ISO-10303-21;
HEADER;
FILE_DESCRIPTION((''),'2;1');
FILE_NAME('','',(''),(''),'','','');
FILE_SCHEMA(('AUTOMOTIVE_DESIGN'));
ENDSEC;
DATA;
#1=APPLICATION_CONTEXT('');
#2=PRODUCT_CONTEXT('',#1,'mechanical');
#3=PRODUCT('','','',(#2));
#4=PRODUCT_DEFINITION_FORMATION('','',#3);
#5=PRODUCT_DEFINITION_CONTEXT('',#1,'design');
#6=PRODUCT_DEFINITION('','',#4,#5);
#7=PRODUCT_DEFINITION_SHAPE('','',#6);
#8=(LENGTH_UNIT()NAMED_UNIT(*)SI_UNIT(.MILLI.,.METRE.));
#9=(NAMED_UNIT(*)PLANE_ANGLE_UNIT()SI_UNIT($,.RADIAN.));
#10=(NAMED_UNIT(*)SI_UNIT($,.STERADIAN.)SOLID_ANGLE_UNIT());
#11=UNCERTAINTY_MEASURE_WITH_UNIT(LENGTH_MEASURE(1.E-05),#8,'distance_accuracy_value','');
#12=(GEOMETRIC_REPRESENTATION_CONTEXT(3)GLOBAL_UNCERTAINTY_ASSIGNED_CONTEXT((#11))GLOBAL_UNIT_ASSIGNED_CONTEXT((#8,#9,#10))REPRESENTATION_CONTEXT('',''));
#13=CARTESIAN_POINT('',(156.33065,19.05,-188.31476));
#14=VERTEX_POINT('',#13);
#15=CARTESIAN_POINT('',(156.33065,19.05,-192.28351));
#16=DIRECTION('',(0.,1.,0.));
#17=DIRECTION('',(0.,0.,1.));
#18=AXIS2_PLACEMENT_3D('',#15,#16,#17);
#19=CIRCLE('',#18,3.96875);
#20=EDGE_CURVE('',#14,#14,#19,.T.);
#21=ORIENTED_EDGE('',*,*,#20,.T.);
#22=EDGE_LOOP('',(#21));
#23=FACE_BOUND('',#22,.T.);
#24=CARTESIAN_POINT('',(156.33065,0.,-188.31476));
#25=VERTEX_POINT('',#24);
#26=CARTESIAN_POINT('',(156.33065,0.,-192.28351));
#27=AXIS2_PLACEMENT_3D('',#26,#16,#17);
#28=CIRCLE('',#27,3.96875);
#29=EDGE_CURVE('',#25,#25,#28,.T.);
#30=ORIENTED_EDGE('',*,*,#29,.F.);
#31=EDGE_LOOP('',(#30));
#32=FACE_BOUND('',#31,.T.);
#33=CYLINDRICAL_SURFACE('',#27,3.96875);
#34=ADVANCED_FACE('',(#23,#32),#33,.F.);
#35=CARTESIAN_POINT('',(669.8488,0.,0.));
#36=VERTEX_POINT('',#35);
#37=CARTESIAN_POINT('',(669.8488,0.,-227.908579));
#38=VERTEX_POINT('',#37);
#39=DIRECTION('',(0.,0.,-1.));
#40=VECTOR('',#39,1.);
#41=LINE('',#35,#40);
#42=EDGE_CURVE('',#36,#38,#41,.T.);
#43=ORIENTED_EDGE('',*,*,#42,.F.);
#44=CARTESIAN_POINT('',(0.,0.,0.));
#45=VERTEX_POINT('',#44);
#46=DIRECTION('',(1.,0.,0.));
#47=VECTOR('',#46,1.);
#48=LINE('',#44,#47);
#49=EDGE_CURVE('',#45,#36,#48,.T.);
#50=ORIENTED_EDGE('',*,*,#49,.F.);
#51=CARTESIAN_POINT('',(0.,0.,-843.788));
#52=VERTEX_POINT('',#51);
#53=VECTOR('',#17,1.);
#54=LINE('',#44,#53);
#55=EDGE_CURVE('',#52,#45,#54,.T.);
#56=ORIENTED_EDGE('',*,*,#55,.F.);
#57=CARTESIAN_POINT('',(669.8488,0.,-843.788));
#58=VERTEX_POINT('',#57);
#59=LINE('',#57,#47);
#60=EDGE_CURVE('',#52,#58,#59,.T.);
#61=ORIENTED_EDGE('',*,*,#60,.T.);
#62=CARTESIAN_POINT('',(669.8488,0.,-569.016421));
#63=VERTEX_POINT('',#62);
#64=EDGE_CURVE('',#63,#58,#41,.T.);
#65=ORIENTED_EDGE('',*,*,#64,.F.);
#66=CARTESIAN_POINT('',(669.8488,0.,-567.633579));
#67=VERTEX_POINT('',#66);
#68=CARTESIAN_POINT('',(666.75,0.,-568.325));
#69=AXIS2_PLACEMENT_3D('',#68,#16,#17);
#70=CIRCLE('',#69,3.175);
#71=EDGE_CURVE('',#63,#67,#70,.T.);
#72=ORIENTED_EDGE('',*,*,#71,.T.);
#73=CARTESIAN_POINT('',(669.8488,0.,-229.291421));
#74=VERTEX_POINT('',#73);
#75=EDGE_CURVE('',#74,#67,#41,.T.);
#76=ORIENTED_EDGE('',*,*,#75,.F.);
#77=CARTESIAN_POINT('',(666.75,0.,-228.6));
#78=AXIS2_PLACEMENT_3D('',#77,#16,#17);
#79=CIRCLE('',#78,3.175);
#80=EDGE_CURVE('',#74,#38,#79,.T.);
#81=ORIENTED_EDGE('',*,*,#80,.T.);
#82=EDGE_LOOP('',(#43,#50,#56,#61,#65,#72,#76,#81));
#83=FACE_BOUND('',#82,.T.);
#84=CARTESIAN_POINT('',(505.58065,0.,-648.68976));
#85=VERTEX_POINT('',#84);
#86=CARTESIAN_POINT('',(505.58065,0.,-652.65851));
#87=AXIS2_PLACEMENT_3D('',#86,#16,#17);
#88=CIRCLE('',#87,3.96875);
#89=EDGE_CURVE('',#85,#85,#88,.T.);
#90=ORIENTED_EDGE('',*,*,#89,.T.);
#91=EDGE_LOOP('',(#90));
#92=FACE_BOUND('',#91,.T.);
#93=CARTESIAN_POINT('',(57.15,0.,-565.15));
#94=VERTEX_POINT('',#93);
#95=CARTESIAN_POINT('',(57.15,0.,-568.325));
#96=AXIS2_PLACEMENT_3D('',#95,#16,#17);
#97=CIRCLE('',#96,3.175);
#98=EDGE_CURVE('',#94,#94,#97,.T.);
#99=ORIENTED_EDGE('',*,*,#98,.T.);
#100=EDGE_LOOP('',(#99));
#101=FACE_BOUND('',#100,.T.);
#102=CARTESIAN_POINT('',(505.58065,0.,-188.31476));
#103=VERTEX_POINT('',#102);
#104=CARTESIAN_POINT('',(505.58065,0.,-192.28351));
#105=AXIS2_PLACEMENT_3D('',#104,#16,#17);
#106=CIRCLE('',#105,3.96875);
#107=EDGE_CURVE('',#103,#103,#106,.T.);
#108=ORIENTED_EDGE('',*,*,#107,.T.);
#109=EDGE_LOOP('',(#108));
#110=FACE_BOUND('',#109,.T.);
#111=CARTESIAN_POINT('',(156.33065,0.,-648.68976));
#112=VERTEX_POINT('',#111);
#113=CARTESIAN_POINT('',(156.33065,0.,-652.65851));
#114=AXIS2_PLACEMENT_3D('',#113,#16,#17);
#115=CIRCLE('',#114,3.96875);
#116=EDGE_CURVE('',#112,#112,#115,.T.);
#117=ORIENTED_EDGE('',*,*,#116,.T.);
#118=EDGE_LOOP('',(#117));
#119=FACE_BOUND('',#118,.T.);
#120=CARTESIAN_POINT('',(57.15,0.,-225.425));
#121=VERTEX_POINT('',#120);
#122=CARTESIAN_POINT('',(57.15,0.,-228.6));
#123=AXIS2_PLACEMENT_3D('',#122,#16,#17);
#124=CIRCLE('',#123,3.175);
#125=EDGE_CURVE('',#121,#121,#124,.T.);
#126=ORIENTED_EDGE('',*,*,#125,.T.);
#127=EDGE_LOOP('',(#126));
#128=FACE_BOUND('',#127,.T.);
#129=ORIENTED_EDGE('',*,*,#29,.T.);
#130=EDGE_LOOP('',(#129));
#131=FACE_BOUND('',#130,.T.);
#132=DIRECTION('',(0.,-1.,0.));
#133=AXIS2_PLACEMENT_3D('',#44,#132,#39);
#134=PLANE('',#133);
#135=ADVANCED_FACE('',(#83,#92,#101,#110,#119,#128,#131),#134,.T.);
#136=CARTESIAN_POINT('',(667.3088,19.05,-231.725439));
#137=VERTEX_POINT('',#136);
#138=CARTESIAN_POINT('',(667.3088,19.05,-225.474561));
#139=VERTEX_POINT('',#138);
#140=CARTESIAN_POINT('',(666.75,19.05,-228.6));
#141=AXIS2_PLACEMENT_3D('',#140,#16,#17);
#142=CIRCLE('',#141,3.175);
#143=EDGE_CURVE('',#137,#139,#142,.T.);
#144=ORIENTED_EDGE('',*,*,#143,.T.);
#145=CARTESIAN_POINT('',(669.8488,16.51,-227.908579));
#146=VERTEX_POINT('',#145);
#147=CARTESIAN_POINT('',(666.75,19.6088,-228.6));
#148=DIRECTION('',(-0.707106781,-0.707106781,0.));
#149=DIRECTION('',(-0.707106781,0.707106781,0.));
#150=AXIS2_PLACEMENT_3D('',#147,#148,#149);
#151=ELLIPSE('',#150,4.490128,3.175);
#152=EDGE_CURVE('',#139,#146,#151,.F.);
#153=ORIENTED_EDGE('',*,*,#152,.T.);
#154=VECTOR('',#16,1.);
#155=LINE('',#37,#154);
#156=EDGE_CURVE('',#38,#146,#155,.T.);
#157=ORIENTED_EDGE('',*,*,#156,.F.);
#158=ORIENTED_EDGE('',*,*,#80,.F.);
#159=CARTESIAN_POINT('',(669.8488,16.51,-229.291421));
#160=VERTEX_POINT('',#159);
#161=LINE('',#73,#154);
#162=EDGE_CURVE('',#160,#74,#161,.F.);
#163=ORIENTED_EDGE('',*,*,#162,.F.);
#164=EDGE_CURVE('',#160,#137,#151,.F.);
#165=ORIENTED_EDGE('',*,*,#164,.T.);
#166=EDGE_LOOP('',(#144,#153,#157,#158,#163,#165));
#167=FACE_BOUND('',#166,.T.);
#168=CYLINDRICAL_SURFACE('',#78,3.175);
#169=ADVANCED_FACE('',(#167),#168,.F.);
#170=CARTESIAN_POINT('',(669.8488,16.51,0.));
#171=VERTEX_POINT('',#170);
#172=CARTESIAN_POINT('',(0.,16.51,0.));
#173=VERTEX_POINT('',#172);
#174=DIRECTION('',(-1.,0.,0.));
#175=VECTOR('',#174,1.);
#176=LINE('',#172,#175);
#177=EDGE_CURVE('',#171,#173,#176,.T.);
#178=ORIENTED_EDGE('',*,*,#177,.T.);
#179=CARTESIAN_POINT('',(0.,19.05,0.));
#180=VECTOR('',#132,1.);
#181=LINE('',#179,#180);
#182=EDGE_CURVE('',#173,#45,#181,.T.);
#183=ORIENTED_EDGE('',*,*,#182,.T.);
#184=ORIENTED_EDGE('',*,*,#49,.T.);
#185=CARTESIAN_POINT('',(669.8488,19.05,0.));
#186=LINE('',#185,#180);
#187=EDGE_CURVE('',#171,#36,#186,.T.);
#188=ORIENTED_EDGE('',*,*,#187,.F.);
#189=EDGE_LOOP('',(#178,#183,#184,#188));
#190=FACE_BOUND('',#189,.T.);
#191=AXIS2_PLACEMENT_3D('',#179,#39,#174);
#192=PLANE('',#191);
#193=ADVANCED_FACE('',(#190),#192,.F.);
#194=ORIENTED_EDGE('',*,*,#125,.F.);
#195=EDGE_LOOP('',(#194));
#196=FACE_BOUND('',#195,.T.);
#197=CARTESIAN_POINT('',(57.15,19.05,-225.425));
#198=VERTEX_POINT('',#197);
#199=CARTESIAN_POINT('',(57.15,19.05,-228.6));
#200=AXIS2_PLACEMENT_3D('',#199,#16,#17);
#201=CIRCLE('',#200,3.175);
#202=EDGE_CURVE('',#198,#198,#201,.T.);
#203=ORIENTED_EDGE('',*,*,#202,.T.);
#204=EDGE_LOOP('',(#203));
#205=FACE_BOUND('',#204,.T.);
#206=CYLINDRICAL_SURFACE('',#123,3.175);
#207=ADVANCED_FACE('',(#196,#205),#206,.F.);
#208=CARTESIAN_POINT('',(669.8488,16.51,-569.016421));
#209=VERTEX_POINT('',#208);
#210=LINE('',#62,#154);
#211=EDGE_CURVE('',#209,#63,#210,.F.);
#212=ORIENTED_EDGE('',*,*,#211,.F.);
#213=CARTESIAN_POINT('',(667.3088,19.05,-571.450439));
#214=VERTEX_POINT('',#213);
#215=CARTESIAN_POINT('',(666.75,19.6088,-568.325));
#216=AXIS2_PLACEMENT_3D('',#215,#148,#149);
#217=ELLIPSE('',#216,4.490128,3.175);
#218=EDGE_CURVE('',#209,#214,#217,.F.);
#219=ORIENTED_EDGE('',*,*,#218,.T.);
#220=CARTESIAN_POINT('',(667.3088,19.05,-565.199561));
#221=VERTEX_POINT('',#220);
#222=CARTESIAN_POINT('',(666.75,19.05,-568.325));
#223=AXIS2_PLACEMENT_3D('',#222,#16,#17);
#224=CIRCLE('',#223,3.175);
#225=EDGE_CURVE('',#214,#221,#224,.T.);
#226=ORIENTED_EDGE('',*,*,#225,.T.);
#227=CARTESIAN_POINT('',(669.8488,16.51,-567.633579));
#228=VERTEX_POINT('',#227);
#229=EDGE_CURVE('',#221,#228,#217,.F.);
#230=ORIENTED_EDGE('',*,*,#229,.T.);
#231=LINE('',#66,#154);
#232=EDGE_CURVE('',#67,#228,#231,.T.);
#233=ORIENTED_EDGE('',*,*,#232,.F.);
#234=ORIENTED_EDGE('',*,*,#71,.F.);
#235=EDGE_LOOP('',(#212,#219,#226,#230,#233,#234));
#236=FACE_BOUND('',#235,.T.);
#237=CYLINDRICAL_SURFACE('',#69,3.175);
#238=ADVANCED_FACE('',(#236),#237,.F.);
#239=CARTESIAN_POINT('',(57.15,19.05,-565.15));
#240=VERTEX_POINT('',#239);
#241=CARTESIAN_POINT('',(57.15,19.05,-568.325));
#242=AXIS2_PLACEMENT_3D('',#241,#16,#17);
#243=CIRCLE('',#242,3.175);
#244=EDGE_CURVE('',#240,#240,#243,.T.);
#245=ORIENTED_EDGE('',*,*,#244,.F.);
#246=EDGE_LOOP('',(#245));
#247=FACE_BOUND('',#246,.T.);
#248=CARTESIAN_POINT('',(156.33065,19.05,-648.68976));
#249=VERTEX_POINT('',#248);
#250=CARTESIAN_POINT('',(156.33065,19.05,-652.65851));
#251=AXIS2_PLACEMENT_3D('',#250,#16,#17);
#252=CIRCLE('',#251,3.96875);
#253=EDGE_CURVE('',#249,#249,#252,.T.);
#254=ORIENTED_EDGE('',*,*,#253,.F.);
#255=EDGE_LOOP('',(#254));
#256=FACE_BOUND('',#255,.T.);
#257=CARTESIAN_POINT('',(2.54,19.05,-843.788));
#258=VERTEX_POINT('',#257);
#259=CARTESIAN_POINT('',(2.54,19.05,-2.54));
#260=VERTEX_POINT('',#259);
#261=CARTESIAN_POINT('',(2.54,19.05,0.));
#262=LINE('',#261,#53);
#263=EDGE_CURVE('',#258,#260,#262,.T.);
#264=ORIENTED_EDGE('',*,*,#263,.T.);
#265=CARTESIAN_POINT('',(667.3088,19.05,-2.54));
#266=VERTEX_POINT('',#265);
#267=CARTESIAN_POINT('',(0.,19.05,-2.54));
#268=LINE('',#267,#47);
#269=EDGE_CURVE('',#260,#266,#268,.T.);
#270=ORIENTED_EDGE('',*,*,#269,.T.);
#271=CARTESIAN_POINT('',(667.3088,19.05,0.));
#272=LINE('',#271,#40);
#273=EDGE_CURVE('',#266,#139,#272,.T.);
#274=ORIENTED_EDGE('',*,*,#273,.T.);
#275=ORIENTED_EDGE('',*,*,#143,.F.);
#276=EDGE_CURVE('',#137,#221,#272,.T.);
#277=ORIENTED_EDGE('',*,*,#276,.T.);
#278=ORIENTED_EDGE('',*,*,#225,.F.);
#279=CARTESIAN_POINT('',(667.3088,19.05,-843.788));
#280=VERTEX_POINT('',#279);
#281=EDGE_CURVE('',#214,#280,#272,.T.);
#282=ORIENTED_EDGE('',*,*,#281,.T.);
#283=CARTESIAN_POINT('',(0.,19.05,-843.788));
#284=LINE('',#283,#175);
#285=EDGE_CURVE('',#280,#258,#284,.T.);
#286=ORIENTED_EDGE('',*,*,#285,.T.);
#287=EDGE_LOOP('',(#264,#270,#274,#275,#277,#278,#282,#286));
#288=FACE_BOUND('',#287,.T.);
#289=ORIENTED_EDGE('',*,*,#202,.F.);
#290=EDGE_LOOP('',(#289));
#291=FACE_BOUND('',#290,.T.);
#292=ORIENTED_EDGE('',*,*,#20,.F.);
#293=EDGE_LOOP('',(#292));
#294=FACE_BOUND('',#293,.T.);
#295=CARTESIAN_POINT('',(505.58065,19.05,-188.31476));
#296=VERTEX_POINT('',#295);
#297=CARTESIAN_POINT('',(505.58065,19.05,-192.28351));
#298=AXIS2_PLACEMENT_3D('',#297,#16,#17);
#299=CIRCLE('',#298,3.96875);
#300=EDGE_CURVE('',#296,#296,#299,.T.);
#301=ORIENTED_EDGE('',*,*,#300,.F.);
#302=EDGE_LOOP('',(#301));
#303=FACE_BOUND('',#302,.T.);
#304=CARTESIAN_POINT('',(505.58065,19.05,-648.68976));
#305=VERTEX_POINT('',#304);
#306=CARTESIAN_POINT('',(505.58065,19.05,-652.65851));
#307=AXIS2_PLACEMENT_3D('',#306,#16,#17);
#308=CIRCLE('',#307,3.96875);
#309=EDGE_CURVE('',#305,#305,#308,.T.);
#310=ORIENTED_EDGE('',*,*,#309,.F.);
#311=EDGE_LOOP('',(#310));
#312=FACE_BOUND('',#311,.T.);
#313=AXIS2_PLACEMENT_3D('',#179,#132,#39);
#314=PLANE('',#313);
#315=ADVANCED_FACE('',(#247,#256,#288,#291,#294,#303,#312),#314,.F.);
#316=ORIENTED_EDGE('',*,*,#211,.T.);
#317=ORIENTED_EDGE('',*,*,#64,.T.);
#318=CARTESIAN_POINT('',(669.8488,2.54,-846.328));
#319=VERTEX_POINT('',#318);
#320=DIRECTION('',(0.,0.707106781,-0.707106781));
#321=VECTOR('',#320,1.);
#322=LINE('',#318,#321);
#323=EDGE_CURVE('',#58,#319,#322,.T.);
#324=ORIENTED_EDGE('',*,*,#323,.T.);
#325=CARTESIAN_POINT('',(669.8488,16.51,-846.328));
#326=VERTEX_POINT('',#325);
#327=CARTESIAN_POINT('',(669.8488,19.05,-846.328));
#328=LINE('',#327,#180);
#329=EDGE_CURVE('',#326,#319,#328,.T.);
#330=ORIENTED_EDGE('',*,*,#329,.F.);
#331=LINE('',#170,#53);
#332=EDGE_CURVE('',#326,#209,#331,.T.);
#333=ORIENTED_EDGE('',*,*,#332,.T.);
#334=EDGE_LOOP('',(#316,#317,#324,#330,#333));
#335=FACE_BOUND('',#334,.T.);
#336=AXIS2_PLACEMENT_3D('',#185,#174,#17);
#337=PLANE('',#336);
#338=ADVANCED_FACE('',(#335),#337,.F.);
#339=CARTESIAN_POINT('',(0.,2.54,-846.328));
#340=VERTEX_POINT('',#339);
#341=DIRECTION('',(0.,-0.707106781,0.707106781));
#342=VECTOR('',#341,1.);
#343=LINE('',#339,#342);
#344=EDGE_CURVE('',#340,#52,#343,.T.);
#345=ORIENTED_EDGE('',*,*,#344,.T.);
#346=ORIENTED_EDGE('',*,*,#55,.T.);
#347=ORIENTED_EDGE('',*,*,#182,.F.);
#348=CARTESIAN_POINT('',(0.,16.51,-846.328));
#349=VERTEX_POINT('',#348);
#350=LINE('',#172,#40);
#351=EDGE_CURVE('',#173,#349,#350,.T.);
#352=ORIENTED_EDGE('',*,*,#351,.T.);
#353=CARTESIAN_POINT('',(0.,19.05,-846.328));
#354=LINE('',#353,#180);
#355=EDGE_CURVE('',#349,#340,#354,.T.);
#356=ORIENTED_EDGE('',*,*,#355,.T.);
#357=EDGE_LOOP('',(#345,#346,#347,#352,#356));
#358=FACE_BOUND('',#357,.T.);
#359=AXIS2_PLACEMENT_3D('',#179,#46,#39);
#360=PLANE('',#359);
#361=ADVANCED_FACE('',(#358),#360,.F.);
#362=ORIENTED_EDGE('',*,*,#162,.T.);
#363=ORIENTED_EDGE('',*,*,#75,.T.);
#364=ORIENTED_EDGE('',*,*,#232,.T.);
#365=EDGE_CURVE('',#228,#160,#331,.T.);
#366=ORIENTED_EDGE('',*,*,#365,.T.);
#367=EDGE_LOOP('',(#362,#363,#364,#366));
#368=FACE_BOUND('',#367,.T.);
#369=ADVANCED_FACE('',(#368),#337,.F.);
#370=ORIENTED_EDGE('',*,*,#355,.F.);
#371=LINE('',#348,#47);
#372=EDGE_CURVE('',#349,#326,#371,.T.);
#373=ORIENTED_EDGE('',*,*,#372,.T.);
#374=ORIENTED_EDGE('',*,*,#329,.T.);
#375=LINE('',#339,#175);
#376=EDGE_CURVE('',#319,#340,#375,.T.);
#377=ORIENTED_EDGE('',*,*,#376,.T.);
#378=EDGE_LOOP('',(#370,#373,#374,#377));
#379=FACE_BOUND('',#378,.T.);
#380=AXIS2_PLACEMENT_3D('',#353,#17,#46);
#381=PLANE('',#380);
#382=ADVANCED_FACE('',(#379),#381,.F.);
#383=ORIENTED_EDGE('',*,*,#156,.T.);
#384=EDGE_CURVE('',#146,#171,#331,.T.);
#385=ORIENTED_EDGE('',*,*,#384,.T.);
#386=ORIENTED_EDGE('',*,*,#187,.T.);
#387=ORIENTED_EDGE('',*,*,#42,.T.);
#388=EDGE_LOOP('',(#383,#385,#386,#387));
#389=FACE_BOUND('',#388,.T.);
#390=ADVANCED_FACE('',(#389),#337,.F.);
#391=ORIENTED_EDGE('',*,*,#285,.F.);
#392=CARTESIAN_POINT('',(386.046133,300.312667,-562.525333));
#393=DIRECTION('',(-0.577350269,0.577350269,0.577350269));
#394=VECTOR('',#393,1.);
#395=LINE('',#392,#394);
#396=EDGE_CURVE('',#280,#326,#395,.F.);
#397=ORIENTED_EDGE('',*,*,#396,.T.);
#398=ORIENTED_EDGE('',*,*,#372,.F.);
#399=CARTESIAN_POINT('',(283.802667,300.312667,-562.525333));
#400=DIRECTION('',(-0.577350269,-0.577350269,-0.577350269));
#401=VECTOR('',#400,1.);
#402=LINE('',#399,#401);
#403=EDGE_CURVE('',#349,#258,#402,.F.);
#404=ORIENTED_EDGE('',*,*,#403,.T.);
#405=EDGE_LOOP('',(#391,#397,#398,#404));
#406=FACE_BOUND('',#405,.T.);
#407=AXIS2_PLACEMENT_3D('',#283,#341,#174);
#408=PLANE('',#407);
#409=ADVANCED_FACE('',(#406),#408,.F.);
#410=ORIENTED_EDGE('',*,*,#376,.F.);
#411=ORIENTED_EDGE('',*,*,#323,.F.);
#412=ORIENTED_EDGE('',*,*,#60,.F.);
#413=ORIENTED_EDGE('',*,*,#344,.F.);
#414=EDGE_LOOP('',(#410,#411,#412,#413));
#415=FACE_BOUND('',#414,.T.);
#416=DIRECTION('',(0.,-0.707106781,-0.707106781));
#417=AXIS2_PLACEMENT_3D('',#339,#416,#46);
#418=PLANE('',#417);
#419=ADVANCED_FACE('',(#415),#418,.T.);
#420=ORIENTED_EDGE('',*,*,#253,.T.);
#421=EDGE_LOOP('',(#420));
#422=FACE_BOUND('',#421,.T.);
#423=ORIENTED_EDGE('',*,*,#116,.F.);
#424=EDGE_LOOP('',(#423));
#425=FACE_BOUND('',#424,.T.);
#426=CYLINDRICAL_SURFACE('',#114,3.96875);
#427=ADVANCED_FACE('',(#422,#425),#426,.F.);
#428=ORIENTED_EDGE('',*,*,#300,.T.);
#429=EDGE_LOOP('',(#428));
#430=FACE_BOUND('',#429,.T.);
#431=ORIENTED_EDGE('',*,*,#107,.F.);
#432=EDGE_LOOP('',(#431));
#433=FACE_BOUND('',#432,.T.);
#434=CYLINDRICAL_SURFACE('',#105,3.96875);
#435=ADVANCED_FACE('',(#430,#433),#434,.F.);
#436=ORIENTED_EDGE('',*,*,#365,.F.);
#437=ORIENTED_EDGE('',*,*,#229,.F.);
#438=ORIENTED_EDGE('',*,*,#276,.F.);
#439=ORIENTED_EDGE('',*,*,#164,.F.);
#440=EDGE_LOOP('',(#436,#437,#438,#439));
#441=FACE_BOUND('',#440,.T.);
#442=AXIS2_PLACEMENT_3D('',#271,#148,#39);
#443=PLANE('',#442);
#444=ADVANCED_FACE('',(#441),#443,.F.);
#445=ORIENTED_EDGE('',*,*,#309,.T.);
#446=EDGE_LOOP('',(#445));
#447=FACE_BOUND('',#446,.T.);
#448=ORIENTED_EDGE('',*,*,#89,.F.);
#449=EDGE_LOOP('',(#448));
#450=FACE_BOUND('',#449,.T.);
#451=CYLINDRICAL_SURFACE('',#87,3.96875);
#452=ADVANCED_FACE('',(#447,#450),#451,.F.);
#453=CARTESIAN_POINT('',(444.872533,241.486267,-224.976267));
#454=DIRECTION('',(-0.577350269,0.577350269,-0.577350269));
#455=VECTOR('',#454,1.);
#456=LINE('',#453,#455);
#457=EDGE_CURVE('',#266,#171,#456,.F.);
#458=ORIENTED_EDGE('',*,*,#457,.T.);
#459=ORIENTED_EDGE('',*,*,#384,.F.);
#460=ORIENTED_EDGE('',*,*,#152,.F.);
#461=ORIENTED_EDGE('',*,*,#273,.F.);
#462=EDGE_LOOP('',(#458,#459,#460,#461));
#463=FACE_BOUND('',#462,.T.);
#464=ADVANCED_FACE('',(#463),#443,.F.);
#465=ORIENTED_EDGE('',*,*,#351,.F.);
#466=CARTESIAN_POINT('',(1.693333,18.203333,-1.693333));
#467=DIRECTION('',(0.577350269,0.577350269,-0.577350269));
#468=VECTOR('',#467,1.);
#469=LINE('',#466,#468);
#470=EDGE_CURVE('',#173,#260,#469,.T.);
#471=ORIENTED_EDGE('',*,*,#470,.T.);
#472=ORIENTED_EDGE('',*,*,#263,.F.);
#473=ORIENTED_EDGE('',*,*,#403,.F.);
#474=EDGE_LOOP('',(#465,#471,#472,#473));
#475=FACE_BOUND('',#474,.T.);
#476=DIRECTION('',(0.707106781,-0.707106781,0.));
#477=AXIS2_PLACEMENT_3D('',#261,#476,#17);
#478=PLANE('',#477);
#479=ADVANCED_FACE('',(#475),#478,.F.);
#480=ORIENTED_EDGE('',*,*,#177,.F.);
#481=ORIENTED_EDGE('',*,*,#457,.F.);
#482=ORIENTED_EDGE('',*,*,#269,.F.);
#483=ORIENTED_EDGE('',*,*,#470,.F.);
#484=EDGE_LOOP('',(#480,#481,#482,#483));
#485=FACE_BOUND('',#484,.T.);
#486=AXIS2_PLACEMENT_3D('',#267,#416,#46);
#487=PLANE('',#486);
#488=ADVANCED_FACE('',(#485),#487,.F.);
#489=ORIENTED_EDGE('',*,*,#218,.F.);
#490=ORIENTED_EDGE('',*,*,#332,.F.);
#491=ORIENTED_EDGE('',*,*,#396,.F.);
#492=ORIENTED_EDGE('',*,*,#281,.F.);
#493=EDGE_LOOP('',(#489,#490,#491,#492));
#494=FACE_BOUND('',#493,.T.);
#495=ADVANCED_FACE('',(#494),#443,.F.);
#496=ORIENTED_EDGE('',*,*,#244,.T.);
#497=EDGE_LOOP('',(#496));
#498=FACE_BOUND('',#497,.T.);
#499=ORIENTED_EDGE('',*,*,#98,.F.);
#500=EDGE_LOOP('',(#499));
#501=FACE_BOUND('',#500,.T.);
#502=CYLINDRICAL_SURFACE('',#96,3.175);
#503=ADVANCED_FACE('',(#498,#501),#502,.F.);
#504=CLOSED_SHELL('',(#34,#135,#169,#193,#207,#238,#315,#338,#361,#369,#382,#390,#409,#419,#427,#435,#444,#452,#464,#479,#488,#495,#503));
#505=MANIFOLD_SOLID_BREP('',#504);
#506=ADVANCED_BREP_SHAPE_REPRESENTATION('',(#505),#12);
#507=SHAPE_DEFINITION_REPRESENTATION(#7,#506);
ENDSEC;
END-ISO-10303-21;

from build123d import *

# Parameters (mm, degrees)
SKETCH1_W           = 669.8488
SKETCH1_H           = 846.328
BOSS_EXTRUDE1_DEPTH = 19.05
CHAMFER1_SIZE       = 2.54
CHAMFER2_SIZE       = 2.54
SKETCH3_R           = 3.96875
CUT_EXTRUDE4_DEPTH  = 20.05
SKETCH2_R           = 3.175
CUT_EXTRUDE3_DEPTH  = 20.05


with BuildPart() as part:
    # Sketch1 → Boss-Extrude1 (new body)
    with BuildSketch(Plane(origin=(0, 0, 0), x_dir=(1, 0, 0), z_dir=(0, 1, 0))):
        with Locations((334.9244, 423.164)):
            Rectangle(SKETCH1_W, SKETCH1_H)
    extrude(amount=BOSS_EXTRUDE1_DEPTH)

    # Chamfer1
    chamfer1_edges = [part.edges().sort_by_distance(p)[0] for p in [
        (669.8488, 19.05, -423.164),
        (334.9244, 19.05, -846.328),
        (0, 19.05, -423.164),
        (334.9244, 19.05, 0),
    ]]
    chamfer(chamfer1_edges, length=CHAMFER1_SIZE)

    # Chamfer2
    chamfer2_edges = [part.edges().sort_by_distance(p)[0] for p in [
        (334.9244, 0, -846.328),
    ]]
    chamfer(chamfer2_edges, length=CHAMFER2_SIZE)

    # Sketch3 → Cut-Extrude4 (cut, through all)
    with BuildSketch(Plane(origin=(0, 19.05, 0), x_dir=(1, 0, 0), z_dir=(0, 1, 0))):
        with Locations((505.58065, 192.283509599)):
            Circle(SKETCH3_R)
        with Locations((156.33065, 192.283509599)):
            Circle(SKETCH3_R)
        with Locations((156.33065, 652.658509599)):
            Circle(SKETCH3_R)
        with Locations((505.58065, 652.658509599)):
            Circle(SKETCH3_R)
    extrude(amount=-CUT_EXTRUDE4_DEPTH, mode=Mode.SUBTRACT)

    # Sketch2 → Cut-Extrude3 (cut, through all)
    with BuildSketch(Plane(origin=(0, 19.05, 0), x_dir=(1, 0, 0), z_dir=(0, 1, 0))):
        with Locations((57.15, 568.325)):
            Circle(SKETCH2_R)
        with Locations((57.15, 228.6)):
            Circle(SKETCH2_R)
        with Locations((666.75, 568.325)):
            Circle(SKETCH2_R)
        with Locations((666.75, 228.6)):
            Circle(SKETCH2_R)
    extrude(amount=-CUT_EXTRUDE3_DEPTH, mode=Mode.SUBTRACT)


solid = part.part
